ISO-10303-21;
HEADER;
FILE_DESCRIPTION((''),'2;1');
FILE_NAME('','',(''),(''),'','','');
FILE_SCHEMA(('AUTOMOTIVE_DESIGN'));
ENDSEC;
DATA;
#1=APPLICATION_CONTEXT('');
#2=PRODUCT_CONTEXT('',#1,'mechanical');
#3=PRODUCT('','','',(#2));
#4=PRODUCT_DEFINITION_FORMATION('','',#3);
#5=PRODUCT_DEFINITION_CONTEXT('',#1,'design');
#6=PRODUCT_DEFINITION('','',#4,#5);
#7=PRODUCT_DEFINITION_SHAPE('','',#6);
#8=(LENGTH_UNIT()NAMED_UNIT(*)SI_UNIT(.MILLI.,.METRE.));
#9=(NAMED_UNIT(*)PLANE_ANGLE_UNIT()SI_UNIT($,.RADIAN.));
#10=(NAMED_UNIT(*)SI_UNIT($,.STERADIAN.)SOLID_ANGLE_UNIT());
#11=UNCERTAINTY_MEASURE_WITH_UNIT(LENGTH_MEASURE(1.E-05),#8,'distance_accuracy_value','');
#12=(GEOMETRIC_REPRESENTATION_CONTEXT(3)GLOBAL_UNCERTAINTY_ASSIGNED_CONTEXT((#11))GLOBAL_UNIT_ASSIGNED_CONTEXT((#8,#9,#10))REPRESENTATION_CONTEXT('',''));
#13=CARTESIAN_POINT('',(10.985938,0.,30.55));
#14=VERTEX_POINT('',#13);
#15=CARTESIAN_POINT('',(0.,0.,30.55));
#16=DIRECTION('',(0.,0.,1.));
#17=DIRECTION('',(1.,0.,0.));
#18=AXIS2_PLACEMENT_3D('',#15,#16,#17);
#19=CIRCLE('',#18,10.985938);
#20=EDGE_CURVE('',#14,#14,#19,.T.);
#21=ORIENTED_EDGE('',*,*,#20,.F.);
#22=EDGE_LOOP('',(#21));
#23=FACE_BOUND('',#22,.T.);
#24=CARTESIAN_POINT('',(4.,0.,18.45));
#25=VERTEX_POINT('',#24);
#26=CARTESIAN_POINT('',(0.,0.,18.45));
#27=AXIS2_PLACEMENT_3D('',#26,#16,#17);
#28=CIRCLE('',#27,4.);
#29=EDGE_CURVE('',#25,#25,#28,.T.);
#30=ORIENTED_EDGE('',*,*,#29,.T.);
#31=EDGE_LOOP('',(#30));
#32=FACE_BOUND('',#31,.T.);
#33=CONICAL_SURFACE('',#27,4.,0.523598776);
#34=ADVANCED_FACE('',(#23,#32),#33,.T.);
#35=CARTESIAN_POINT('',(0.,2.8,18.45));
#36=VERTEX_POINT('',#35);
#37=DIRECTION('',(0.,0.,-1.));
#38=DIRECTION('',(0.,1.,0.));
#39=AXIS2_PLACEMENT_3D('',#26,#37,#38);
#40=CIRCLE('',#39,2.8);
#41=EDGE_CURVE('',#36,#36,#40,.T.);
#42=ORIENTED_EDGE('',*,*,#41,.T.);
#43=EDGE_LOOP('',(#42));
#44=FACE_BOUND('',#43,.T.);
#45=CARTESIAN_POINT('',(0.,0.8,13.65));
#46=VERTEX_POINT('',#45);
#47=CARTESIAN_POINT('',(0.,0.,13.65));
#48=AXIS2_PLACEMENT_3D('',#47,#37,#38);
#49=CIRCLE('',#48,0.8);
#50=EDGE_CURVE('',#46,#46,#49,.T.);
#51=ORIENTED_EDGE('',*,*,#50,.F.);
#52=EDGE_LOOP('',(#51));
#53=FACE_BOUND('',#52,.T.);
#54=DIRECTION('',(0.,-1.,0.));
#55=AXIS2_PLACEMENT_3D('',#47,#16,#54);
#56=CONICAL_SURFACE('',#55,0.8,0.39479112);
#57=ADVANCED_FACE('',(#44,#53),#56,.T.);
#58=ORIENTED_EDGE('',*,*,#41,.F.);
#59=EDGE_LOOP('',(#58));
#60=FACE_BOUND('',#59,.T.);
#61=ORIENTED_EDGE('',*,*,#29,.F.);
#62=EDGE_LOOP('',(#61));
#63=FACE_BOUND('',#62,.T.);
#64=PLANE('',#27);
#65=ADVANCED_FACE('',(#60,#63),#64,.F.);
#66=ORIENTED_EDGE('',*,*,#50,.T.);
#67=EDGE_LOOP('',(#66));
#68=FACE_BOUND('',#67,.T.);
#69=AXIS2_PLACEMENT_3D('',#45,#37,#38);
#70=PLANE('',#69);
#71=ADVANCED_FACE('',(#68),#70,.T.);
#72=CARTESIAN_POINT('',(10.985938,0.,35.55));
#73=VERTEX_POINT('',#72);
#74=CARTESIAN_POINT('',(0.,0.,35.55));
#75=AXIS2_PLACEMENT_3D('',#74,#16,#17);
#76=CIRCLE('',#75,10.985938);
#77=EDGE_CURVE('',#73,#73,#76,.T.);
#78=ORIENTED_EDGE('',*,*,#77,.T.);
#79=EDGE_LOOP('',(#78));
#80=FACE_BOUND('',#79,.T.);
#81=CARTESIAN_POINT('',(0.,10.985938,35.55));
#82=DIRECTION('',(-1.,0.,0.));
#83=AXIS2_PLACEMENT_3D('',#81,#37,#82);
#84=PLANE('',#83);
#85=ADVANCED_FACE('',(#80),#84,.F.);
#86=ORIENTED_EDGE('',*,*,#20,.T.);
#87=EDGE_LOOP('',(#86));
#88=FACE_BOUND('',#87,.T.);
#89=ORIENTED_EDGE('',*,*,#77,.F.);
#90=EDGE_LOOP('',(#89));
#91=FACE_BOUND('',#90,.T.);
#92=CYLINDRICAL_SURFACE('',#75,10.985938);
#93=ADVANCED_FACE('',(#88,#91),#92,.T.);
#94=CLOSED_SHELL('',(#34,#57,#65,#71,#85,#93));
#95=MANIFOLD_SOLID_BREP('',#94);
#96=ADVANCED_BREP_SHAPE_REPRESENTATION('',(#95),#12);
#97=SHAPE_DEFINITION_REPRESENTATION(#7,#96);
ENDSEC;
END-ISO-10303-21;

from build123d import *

# Parameters (mm, degrees)
ESQUISSE2_R             = 15.4
ENL_V_MAT_EXTRU_1_DEPTH = 54


with BuildPart() as part:
    # Esquisse1 → Révolution1 (revolve)
    with BuildSketch(Plane(origin=(0, 0, 0), x_dir=(0, 0, -1), z_dir=(1, 0, 0))):
        Polygon((-30.55, 10.985938257), (-35.55, 10.985938257), (-35.55, 0), (35.55, 0), (35.55, 15.4), (30.55, 15.4), (-18.45, 4), align=None)
    revolve(axis=Axis((0, 0, 35.55), (0, 0, -1)))

    # Esquisse2 → Enlèv. mat.-Extru.1 (cut)
    with BuildSketch(Plane.XY.offset(18.45)):
        Circle(ESQUISSE2_R)
    extrude(amount=-ENL_V_MAT_EXTRU_1_DEPTH, mode=Mode.SUBTRACT)

    # Esquisse6 → Révolution2 (revolve)
    with BuildSketch(Plane(origin=(0, 0, 0), x_dir=(0, 0, -1), z_dir=(1, 0, 0))):
        Polygon((-18.45, 2.8), (-13.65, 0.8), (-13.65, 0), (-18.45, 0), align=None)
    revolve(axis=Axis((0, 0, 13.65), (0, 0, 1)))


solid = part.part
